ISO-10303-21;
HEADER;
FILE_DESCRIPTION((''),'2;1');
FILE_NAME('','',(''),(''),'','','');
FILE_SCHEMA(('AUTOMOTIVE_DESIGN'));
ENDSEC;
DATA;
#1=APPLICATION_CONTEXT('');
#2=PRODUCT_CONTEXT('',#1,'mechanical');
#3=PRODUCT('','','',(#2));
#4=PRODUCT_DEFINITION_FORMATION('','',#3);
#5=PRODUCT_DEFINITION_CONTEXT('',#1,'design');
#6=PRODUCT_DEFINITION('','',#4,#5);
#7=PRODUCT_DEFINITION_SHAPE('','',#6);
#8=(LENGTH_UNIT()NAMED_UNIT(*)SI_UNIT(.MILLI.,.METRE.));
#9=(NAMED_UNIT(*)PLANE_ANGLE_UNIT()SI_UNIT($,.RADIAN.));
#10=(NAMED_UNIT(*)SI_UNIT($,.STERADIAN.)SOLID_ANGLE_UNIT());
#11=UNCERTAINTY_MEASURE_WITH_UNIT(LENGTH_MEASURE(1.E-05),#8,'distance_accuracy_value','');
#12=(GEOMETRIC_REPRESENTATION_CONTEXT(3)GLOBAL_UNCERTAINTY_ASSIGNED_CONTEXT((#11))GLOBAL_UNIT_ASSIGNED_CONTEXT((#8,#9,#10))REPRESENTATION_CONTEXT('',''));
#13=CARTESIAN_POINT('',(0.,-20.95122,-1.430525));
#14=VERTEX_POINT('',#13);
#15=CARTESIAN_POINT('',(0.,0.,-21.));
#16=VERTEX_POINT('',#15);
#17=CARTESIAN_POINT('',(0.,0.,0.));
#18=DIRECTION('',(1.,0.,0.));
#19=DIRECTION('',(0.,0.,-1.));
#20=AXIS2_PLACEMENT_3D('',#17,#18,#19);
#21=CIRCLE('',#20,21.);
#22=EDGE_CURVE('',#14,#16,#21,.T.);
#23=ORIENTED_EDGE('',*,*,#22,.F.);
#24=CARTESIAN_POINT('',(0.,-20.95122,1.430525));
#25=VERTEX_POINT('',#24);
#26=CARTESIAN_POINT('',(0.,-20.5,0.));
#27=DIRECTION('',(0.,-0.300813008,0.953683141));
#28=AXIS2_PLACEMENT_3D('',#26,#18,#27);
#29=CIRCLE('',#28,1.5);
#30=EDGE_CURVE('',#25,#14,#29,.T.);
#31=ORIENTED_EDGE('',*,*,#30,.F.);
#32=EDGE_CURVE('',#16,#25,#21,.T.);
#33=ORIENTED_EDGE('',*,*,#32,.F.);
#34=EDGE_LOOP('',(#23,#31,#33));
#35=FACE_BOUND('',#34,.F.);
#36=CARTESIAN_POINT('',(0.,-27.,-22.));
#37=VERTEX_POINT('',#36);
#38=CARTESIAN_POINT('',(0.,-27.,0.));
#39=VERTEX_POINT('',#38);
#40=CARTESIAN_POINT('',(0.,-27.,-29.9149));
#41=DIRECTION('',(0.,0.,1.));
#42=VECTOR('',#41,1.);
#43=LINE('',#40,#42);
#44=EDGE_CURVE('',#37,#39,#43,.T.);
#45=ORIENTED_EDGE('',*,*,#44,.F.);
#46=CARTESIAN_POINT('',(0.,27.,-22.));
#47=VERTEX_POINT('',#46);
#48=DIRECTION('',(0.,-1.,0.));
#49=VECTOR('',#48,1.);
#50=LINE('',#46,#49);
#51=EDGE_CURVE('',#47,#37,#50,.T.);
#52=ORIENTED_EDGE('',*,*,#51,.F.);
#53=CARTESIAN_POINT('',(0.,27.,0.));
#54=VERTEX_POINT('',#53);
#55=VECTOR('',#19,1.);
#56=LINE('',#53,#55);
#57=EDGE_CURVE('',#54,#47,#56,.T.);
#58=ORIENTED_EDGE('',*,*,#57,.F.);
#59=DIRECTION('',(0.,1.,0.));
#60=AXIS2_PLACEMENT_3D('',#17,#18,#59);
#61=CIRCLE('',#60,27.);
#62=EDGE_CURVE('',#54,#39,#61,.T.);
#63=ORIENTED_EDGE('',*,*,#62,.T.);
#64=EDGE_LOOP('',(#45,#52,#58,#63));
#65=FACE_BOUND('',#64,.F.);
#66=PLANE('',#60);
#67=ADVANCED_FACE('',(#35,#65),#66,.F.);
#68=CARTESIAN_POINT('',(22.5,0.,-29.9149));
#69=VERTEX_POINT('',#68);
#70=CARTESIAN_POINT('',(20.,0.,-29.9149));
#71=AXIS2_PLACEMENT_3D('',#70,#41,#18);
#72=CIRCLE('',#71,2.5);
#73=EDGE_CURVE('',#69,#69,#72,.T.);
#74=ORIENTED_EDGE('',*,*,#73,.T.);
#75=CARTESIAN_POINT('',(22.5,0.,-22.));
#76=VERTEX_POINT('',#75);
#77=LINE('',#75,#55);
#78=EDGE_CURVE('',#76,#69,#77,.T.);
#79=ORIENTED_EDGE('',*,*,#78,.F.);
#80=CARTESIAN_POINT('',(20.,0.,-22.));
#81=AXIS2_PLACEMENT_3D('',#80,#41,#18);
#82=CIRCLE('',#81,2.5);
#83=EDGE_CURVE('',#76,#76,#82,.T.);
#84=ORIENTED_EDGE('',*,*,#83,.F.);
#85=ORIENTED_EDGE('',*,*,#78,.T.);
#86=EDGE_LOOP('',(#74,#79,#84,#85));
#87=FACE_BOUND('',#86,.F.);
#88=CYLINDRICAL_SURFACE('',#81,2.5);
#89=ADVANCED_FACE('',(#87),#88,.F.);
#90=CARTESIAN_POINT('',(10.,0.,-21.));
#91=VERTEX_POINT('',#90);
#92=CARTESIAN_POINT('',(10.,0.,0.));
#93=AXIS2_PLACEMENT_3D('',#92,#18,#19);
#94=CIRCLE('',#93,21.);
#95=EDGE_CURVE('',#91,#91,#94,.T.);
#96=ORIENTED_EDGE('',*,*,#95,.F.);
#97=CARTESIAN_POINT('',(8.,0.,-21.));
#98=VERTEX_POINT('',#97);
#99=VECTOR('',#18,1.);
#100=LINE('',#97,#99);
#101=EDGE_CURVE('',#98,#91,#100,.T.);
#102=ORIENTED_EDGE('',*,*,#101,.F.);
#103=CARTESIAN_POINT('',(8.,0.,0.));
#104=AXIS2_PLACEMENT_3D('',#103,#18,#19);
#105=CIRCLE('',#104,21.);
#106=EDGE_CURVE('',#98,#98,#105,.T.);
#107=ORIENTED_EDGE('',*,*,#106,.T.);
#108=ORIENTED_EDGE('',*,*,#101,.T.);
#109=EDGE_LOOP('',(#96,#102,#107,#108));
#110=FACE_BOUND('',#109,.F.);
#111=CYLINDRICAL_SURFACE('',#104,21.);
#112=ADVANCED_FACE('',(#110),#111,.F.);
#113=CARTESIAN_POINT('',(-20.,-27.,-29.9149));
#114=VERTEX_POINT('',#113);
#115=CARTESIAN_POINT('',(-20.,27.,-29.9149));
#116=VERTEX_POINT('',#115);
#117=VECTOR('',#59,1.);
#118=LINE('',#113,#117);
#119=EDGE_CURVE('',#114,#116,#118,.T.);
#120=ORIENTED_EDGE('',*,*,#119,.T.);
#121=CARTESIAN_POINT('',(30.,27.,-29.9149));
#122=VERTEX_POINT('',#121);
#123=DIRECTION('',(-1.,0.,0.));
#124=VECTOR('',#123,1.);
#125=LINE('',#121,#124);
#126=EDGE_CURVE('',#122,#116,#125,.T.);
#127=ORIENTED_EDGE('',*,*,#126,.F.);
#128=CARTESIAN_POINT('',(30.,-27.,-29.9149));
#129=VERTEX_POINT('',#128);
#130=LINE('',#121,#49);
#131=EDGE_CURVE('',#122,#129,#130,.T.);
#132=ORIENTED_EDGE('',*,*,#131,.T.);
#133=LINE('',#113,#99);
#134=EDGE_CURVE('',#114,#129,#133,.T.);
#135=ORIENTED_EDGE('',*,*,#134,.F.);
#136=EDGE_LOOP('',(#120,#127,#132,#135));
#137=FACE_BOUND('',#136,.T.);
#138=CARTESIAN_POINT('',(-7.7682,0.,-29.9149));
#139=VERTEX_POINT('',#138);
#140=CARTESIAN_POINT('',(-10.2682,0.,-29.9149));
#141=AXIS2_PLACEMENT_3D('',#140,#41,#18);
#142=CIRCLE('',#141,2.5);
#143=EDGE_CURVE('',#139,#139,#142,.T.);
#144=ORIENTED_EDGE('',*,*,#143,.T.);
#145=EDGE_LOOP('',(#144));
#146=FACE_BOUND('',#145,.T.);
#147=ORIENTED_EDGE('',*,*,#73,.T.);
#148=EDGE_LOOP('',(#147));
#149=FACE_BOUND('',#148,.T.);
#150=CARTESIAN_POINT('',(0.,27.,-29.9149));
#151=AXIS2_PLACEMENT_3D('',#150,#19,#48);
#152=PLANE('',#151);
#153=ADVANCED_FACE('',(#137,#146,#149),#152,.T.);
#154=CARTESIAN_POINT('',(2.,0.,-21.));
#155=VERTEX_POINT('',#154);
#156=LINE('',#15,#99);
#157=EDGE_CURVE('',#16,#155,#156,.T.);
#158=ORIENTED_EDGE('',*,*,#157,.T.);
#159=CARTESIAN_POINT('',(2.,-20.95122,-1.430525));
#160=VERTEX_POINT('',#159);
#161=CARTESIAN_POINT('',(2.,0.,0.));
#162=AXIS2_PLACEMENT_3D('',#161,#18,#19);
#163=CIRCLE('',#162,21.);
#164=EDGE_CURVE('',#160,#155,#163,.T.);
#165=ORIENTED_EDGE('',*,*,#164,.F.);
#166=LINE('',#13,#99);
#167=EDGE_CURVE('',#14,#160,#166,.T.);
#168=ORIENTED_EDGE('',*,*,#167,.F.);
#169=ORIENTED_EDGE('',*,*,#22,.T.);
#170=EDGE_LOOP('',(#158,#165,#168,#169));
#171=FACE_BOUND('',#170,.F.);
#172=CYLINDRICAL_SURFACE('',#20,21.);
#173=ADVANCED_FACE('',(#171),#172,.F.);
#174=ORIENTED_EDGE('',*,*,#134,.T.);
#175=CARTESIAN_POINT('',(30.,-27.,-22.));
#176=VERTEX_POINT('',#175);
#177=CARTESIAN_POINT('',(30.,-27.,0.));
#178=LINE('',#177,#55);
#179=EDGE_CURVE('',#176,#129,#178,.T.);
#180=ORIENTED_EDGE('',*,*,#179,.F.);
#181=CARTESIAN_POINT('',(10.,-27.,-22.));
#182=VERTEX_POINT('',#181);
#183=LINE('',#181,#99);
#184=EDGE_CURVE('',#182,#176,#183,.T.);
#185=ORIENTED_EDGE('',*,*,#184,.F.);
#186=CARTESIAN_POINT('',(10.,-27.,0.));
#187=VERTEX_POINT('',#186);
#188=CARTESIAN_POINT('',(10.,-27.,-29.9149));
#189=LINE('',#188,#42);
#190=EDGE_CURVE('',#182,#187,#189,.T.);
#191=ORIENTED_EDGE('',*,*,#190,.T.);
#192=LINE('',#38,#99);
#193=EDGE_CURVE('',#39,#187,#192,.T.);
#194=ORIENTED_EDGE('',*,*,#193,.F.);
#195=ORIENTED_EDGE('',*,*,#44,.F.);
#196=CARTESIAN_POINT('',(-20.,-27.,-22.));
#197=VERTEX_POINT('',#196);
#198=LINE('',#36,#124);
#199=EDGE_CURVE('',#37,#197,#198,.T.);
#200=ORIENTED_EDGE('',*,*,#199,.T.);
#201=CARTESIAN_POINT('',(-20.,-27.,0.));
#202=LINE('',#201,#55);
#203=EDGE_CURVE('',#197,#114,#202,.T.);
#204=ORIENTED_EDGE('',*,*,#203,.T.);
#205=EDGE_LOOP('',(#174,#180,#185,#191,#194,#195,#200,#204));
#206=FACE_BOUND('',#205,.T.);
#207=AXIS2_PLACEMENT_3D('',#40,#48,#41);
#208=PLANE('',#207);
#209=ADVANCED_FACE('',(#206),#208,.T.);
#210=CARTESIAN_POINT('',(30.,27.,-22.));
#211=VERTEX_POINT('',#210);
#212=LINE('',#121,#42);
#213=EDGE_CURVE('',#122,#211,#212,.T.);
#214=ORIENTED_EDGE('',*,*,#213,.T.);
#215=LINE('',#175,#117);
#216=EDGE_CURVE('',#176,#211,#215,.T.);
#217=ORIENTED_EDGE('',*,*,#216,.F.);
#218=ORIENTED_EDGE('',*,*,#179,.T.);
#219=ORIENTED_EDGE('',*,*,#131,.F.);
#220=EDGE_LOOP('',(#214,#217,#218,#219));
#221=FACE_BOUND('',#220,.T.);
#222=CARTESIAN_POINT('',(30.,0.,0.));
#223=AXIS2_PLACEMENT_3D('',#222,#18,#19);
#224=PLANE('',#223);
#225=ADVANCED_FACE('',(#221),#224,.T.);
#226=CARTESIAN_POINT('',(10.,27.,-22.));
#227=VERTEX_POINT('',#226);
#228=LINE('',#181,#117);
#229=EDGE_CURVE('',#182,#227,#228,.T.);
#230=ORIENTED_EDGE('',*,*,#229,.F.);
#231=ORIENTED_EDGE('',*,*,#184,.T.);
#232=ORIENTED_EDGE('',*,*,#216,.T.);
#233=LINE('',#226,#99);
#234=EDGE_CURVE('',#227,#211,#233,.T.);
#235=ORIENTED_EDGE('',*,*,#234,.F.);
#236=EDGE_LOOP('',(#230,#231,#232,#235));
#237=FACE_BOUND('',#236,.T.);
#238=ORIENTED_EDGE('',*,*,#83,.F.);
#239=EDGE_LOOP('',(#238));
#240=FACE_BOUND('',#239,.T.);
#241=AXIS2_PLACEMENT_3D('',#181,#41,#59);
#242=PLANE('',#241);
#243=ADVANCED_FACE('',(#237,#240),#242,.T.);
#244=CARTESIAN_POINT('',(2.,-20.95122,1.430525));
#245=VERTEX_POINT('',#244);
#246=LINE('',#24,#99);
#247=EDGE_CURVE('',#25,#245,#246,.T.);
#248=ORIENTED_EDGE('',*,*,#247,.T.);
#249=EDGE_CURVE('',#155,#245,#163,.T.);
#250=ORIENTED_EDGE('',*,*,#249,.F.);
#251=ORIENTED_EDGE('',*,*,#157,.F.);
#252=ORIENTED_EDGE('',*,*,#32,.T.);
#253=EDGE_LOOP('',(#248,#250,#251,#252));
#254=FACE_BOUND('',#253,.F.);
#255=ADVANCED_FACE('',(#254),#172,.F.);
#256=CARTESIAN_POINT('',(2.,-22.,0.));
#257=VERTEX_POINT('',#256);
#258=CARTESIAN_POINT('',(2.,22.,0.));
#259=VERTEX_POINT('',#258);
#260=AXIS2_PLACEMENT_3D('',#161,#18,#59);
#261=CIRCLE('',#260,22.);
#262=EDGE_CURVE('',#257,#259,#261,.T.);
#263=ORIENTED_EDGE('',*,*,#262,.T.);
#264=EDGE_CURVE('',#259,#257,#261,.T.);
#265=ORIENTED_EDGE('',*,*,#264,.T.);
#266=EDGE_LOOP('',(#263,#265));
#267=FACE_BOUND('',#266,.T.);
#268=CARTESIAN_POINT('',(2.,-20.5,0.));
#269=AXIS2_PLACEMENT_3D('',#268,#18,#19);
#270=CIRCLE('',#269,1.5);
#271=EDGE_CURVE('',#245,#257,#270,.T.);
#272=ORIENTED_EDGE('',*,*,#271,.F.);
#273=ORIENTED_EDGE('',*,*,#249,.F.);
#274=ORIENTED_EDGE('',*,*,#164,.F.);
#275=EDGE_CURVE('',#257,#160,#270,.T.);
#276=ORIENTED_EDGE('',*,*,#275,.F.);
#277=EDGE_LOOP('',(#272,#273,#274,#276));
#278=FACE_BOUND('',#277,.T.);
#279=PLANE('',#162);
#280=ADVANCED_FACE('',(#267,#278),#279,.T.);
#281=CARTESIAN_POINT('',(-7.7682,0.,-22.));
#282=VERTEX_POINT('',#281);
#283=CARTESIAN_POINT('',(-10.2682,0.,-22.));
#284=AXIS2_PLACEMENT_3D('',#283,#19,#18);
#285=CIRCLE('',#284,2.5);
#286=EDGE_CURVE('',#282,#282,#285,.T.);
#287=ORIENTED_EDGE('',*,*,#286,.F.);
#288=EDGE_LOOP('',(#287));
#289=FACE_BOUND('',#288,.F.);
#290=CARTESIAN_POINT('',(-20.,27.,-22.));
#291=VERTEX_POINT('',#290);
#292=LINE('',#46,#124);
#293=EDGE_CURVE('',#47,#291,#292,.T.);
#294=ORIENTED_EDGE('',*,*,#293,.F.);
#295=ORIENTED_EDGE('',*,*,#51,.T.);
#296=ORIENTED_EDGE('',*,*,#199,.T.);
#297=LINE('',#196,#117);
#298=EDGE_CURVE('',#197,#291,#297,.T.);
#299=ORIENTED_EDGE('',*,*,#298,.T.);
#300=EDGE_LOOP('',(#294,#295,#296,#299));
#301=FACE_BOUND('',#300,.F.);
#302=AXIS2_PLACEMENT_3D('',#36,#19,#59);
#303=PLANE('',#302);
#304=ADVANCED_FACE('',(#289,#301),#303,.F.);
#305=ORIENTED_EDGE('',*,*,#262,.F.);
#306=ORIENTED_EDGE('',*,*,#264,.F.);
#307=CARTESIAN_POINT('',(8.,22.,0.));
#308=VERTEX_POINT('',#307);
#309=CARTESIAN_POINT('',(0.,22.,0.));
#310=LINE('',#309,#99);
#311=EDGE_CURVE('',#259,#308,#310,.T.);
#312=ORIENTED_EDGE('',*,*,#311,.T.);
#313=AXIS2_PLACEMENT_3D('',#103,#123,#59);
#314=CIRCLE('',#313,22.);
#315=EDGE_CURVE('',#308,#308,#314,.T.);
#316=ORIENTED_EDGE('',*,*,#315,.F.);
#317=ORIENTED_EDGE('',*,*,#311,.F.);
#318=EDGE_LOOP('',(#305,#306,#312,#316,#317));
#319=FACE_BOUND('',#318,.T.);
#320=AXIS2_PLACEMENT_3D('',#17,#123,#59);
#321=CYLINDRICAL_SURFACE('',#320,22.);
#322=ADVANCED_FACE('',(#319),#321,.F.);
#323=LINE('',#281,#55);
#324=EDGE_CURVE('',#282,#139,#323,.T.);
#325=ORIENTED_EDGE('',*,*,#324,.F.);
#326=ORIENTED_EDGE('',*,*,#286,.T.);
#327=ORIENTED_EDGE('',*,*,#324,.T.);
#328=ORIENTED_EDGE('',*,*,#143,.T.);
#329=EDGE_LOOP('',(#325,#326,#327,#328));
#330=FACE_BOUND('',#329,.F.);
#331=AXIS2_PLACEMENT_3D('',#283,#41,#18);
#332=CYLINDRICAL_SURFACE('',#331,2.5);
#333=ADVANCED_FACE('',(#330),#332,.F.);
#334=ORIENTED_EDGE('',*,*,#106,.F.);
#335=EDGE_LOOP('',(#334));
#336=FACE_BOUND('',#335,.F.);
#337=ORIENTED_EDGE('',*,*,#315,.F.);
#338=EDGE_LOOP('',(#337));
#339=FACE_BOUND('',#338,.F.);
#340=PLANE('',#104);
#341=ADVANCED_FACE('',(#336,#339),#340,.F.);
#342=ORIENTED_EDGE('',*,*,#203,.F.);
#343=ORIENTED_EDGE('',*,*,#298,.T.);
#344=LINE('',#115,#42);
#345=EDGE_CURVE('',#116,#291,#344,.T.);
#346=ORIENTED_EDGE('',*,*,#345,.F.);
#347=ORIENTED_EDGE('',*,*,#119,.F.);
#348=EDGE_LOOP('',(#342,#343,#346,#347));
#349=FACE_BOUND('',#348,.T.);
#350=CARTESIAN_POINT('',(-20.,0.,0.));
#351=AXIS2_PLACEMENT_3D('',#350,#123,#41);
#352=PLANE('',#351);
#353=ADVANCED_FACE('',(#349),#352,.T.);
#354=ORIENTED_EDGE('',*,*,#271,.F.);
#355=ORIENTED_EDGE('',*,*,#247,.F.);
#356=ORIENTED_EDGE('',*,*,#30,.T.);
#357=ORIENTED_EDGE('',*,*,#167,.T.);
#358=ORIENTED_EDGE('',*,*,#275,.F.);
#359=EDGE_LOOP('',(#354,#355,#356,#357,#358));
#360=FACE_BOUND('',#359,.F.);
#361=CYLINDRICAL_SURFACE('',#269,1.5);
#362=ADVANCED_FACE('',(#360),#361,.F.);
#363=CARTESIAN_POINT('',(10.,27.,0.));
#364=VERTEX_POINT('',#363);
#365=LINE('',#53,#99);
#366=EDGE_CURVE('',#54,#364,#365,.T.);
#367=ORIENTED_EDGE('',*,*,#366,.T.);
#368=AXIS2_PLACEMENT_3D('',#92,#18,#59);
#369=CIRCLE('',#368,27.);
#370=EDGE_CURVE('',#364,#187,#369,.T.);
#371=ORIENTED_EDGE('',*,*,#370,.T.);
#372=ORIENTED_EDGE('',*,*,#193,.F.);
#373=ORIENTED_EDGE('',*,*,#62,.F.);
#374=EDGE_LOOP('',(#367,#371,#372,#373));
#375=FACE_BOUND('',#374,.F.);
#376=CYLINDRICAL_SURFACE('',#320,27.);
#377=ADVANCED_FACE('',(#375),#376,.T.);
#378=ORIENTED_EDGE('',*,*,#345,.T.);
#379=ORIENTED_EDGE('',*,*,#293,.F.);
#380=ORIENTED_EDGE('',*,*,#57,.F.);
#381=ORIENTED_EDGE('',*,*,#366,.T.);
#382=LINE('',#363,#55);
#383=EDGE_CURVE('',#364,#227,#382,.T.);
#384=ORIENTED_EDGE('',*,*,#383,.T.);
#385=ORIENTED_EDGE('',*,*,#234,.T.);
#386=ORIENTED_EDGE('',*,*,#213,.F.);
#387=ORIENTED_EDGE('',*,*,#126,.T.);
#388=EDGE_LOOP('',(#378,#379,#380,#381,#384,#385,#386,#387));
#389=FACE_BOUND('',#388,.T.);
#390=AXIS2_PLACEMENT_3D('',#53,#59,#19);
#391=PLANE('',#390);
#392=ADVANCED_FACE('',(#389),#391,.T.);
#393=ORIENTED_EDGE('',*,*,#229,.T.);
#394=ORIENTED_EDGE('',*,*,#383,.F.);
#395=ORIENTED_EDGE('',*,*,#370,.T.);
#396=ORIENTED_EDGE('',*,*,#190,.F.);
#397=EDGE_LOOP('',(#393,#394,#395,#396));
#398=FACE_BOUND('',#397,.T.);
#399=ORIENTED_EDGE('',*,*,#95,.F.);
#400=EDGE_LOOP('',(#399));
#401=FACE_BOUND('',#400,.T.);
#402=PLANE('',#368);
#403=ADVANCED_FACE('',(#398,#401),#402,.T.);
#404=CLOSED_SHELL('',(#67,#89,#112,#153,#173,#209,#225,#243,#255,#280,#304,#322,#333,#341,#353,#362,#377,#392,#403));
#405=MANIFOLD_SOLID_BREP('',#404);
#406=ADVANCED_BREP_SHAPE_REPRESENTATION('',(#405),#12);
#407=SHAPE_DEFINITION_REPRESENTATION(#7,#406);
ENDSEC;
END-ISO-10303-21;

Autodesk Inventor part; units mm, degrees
ref_plane "YZ Plane" through (0, 0, 0) normal (1, 0, 0) x (0, 1, 0)
ref_plane "XZ Plane" through (0, 0, 0) normal (0, 1, 0) x (-1, 0, 0)
sketch "Sketch15" plane through (0, 0, 0) normal (1, 0, 0) x (0, 1, 0)
  circle A0 centre (0, 0) radius 22
  circle A1 centre (0, 0) radius 27
  line L0 (27, 0) -> (27, -29.9149)
  line L1 (27, -29.9149) -> (-27, -29.9149)
  line L2 (-27, -29.9149) -> (-27, 0)
  dimension "d51" = 44
  dimension "d52" = 54
extrude "Extrusion11" add sketch "Sketch15" along normal blind 10
sketch "Sketch16" plane through (10, 0, 0) normal (1, 0, 0) x (0, 0, -1)
  line L0 (29.9149, -27) -> (29.9149, 27) projected
  circle A0 centre (0, 0) radius 22 projected
  line L1 (29.9149, 27) -> (22, 27)
  line L2 (22, 27) -> (22, 0)
  line L3 (22, 0) -> (29.9149, 0)
  line L4 (29.9149, 0) -> (29.9149, 27)
  line L5 (0, -27) -> (29.9149, -27) projected
  line L6 (22, 0) -> (29.9149, 0)
  line L7 (29.9149, 0) -> (29.9149, -27)
  line L8 (29.9149, -27) -> (22, -27)
  line L9 (22, -27) -> (22, 0)
extrude "Extrusion12" add sketch "Sketch16" along normal blind 20 contours L5 L9 L3 L0 | L3 L2 L1 L0
sketch "Sketch17" plane through (0, 0, 0) normal (-1, 0, 0) x (0, 0, 1)
  line L0 (-29.9149, -27) -> (-29.9149, 27) projected
  circle A0 centre (0, 0) radius 22 projected
  line L1 (-29.9149, 27) -> (-22, 27)
  line L2 (-22, 27) -> (-22, 0)
  line L3 (-22, 0) -> (-29.9149, 0)
  line L4 (-29.9149, 0) -> (-29.9149, 27)
  line L5 (0, -27) -> (-29.9149, -27) projected
  line L6 (-22, 0) -> (-29.9149, 0)
  line L7 (-29.9149, 0) -> (-29.9149, -27)
  line L8 (-29.9149, -27) -> (-22, -27)
  line L9 (-22, -27) -> (-22, 0)
extrude "Extrusion13" add sketch "Sketch17" along normal blind 20 contours L0 L3 L9 L5 | L0 L1 L2 L3
ref_plane "Work Plane8" through (0, 0, 0) normal (0, -1, 0) x (1, 0, 0)
sketch "Sketch18" plane through (0, 0, 0) normal (0, -1, 0) x (1, 0, 0)
  line L0 (0, 0) -> (0, -22)
  line L1 (0, -22) -> (2, -22)
  line L2 (10, -22) -> (0, -22) projected
  line L3 (0, -22) -> (0, -21)
  line L4 (0, -21) -> (2, -21)
  line L5 (2, -22) -> (2, -21)
  line L6 (10, -22) -> (8, -22)
  line L7 (8, -22) -> (8, -21)
  line L8 (8, -21) -> (10, -21)
  line L9 (10, -21) -> (10, -22)
  line L10 (-30, 0) -> (40, 0) projected
  dimension "d59" = 2
  dimension "d60" = 1
  dimension "d61" = 2
  dimension "d62" = 1
revolve "Revolution3" add sketch "Sketch18" angle 360 about axis through (-10, 0, 0) along (1, 0, 0)
sketch "Sketch19" plane through (10, -27, -22) normal (0, 0, 1) x (1, 0, 0)
  line L0 (20, 54) -> (20, 0) projected
  line L1 (20, 27) -> (10, 27)
  line L2 (-30.2682, 27) -> (-20.2682, 27)
  circle A0 centre (-20.2682, 27) radius 2.5
  circle A1 centre (10, 27) radius 2.5
  point P0 (-10, 27)
  dimension "d64" = 10
  dimension "d65" = 10
  dimension "d66" = 5
  dimension "d67" = 5
extrude "Extrusion14" cut sketch "Sketch19" against normal blind 20
sketch "Sketch20" plane through (2, 0, 0) normal (1, 0, 0) x (0, 0, -1)
  circle A0 centre (0, 0) radius 22 projected
  line L0 (0, -22) -> (0, -20.5)
  circle A1 centre (0, -20.5) radius 1.5
  dimension "d71" = 1.5
extrude "Extrusion15" cut sketch "Sketch20" against normal blind 20 contours A1
properties part number "antenna_rad_outter"
